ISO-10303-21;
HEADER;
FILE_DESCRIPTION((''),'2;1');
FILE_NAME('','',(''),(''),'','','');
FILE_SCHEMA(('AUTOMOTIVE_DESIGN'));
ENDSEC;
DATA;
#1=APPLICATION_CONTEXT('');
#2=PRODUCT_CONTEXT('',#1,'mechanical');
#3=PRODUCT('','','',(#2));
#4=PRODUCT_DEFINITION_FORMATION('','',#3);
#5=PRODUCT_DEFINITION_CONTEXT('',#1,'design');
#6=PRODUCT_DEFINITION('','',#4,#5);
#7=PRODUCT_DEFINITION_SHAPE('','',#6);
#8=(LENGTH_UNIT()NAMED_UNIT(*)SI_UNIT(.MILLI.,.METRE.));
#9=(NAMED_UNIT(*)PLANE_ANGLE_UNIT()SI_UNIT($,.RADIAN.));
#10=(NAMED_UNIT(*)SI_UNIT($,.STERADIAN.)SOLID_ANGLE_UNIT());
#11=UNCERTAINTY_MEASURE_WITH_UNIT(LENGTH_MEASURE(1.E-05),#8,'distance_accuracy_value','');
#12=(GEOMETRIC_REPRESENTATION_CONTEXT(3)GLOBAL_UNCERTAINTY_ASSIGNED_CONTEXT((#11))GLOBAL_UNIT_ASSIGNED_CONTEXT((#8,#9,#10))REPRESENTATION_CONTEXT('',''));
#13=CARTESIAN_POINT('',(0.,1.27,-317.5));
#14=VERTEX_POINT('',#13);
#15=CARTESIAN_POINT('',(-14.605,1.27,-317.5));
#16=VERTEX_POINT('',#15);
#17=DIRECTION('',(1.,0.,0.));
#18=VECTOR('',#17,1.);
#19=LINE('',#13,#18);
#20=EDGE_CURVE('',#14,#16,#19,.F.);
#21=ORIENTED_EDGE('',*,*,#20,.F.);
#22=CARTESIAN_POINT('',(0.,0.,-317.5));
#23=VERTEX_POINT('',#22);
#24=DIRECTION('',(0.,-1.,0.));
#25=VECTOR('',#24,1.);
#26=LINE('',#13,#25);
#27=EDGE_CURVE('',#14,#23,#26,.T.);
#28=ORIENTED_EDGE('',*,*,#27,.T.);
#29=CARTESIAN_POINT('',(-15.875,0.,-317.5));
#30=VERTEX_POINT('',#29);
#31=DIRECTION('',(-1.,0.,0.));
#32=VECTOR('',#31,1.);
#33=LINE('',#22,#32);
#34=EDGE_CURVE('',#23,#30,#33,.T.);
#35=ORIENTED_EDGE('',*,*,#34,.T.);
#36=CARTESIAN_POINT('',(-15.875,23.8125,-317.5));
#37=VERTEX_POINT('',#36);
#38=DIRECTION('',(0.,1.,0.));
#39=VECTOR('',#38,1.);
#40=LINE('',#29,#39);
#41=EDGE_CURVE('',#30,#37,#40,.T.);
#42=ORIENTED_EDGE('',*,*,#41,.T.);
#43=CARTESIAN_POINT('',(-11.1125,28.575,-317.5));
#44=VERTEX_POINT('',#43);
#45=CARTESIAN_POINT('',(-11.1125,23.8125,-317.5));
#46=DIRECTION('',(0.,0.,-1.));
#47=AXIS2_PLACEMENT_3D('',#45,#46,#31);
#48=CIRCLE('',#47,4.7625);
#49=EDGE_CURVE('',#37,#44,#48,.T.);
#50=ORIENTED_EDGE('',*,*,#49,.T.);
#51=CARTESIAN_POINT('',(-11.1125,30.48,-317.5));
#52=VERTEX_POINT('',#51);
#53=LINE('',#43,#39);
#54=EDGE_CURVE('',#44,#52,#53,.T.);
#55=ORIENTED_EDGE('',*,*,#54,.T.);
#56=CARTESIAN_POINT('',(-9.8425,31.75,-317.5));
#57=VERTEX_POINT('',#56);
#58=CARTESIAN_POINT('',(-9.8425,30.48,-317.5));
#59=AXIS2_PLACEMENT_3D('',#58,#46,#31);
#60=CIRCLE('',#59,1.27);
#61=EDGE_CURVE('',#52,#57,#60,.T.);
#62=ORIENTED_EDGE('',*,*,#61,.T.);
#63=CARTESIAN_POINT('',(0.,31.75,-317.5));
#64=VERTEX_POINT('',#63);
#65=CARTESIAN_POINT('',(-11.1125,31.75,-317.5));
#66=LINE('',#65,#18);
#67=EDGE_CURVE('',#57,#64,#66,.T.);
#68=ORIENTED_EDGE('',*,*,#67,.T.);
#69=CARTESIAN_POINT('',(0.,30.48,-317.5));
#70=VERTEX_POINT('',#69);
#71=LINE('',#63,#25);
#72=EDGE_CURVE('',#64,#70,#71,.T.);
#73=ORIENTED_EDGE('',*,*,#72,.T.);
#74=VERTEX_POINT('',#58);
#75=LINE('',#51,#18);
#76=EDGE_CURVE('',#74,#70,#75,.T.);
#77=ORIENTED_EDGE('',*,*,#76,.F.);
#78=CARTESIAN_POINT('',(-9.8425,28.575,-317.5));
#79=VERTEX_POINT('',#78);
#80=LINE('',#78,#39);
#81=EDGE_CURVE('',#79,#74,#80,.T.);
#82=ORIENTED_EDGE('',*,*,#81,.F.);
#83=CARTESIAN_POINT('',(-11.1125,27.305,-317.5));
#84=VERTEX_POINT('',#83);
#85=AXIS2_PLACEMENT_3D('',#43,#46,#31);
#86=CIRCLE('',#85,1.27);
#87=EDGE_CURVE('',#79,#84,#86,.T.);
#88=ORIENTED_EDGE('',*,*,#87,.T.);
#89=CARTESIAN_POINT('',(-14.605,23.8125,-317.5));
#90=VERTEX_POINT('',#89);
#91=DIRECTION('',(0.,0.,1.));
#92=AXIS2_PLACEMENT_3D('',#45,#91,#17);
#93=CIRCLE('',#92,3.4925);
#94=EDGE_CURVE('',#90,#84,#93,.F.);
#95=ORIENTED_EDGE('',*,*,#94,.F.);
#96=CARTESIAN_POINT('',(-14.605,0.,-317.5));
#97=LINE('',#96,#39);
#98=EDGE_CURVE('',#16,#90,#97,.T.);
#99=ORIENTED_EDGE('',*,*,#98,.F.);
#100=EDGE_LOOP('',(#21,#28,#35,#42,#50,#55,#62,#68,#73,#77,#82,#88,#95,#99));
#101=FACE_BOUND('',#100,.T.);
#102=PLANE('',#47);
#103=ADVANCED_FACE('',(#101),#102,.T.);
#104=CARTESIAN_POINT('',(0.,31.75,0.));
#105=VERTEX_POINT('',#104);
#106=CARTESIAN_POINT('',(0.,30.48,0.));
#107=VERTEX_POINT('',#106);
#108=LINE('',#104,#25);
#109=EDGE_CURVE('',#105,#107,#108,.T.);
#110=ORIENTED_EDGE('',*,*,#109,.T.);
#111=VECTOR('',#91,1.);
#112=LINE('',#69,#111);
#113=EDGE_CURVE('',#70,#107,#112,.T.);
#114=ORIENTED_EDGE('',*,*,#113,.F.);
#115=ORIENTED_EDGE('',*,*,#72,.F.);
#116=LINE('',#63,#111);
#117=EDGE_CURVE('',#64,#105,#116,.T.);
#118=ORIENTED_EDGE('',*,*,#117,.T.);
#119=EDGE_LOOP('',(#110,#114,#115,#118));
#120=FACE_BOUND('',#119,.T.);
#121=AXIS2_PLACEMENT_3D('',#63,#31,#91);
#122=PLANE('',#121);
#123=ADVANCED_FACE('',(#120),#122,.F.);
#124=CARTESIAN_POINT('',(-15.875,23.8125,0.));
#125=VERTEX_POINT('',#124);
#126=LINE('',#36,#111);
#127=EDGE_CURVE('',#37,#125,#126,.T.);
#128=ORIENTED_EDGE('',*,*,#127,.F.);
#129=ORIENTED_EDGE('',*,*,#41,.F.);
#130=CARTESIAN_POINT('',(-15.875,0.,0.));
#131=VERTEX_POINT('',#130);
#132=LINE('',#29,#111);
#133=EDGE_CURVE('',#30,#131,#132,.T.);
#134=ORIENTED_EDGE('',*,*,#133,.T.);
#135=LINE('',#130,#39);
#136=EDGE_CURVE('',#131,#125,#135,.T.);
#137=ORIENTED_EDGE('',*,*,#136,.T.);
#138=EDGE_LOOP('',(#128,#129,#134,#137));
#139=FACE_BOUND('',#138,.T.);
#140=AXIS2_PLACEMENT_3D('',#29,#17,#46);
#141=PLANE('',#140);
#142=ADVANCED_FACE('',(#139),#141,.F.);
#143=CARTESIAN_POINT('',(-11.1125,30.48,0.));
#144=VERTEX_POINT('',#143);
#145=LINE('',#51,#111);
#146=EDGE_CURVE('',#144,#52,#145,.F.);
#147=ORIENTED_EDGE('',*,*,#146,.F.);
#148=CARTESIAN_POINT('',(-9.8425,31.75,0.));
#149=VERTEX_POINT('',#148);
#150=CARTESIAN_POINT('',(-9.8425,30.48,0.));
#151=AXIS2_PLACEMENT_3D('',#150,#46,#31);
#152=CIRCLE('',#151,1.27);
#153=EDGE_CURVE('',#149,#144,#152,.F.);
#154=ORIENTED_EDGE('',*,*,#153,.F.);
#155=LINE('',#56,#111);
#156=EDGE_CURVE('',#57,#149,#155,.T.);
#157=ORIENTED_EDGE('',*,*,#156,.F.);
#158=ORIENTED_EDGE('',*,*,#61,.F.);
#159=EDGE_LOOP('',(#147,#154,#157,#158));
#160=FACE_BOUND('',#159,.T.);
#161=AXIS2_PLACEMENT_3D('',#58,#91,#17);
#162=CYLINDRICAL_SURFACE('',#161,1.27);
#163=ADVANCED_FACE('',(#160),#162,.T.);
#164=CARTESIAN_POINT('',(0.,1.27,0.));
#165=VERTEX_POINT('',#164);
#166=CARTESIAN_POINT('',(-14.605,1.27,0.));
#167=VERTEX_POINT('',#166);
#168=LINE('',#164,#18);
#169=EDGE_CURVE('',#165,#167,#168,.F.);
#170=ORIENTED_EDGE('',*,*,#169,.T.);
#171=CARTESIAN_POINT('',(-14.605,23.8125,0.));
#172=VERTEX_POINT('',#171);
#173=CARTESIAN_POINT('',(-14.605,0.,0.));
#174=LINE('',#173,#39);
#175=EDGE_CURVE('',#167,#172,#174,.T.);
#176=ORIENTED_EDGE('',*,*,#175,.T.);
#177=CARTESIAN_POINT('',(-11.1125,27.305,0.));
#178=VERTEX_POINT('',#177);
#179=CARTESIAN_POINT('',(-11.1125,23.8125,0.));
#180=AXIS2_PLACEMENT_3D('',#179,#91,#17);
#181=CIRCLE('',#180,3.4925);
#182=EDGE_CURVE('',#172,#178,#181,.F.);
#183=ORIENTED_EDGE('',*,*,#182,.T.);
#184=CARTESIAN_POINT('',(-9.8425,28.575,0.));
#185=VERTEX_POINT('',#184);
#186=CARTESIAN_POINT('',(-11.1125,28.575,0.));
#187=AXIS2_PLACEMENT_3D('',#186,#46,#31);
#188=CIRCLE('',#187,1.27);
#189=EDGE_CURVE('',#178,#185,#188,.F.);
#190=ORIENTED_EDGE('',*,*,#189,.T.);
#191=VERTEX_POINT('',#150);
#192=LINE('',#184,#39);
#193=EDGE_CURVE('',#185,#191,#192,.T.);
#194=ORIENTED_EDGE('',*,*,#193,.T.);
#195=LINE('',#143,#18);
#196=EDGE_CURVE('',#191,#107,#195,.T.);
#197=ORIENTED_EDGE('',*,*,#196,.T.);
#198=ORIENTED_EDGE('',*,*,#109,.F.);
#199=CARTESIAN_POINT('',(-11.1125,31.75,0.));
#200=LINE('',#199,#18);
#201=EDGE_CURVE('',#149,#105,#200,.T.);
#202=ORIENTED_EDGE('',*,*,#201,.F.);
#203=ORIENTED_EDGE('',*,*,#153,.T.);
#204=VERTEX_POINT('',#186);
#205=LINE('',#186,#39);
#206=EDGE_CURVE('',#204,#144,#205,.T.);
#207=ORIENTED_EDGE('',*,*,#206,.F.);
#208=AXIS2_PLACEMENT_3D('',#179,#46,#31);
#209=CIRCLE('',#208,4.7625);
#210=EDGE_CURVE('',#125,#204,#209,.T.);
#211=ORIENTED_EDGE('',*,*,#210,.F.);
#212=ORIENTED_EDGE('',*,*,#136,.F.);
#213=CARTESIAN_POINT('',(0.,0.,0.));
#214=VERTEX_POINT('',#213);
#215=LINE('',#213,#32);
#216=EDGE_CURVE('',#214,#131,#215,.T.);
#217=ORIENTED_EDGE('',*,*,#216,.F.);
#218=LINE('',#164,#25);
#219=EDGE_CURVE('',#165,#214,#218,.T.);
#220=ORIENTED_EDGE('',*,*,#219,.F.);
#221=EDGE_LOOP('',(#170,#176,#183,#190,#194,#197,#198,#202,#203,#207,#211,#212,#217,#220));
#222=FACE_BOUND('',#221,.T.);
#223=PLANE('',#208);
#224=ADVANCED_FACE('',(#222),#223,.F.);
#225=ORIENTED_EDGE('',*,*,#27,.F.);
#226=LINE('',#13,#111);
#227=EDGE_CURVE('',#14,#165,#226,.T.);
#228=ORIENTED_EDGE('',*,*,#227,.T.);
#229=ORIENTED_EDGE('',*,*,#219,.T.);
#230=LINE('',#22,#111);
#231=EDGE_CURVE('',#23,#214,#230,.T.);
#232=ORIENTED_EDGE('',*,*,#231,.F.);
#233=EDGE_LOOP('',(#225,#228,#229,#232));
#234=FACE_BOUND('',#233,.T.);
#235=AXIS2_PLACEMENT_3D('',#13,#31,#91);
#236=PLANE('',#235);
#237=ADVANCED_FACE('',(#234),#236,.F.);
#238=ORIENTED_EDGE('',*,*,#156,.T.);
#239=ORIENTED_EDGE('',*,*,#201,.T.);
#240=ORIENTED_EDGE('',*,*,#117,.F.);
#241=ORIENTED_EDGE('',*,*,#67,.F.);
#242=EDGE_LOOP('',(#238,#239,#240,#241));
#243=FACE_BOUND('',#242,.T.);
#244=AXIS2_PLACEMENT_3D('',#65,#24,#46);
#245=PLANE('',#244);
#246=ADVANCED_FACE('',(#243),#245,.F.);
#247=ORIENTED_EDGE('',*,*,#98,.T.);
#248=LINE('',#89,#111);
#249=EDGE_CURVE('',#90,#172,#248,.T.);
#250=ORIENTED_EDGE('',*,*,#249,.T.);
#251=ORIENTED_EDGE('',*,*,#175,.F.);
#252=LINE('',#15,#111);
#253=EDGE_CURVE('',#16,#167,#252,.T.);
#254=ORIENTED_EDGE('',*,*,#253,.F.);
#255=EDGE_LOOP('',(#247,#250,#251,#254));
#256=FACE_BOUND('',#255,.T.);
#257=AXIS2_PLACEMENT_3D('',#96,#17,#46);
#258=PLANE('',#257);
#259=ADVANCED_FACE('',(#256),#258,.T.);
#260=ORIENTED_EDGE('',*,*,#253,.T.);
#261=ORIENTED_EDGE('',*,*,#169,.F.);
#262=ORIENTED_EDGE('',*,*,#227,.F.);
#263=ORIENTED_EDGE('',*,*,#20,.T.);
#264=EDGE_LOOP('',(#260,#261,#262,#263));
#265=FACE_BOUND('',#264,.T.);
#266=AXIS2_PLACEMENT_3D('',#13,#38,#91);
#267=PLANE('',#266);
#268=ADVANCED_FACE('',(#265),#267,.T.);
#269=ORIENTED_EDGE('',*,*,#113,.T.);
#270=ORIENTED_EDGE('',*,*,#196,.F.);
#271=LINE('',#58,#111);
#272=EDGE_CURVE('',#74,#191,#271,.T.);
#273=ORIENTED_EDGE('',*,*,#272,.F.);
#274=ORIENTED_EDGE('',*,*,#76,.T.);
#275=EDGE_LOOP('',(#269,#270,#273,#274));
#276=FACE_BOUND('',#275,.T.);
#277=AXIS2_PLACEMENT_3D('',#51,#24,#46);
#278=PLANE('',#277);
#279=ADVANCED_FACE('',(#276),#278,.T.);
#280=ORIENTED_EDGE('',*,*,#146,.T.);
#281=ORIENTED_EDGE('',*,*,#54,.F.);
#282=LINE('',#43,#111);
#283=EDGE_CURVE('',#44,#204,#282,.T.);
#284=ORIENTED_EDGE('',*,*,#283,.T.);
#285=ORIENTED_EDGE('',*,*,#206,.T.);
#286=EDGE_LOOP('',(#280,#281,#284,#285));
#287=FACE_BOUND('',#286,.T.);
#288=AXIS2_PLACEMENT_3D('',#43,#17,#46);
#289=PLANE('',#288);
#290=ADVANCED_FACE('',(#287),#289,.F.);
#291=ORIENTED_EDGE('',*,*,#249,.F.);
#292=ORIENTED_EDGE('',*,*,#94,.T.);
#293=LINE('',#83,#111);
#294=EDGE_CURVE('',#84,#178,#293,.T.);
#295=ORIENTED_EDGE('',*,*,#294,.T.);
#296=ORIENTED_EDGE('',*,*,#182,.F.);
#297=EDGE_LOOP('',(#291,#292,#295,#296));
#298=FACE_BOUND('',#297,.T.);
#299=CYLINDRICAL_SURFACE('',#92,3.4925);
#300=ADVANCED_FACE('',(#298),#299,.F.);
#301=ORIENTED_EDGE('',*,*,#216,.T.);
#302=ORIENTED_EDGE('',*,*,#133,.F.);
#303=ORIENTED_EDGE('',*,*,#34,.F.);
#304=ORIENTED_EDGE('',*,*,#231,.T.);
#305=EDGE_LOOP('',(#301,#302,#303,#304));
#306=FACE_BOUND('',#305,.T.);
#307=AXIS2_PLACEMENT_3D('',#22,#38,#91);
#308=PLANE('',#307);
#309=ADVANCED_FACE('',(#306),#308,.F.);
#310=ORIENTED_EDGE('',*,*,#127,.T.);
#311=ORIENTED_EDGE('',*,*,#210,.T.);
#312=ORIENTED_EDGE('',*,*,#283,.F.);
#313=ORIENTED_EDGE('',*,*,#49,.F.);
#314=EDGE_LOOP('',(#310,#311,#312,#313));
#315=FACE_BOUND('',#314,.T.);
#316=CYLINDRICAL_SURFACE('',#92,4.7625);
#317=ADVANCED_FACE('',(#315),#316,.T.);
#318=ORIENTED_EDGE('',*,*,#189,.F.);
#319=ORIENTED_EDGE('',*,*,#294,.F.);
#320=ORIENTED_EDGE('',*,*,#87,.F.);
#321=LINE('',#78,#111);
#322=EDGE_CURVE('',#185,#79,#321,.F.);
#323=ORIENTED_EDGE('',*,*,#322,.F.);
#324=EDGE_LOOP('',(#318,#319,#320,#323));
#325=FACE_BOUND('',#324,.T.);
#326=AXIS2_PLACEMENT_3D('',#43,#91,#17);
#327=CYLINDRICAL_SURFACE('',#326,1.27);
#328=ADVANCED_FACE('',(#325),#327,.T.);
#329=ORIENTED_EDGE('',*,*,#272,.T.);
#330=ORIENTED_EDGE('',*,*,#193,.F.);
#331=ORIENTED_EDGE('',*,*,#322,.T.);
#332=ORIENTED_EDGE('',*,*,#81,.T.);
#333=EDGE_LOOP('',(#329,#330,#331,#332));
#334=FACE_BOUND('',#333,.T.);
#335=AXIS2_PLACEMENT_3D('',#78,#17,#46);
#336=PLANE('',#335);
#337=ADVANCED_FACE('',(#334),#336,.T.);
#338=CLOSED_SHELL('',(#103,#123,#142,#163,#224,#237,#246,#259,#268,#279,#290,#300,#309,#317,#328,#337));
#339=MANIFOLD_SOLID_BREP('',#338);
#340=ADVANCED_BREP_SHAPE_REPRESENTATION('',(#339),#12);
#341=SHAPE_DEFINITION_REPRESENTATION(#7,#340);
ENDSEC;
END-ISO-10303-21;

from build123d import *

# Parameters (mm, degrees)
EXTRUDE_THIN1_DEPTH = 317.5
FILLET1_R           = 1.27


with BuildPart() as part:
    # Sketch1 → Extrude-Thin1 (new body)
    with BuildSketch(Plane.XY):
        with BuildLine():
            Line((0, 0), (-15.875, 0))
            Line((-15.875, 0), (-15.875, 23.8125))
            ThreePointArc((-15.875, 23.8125), (-14.480096045, 27.180096045), (-11.1125, 28.575))
            Line((-11.1125, 28.575), (-11.1125, 31.75))
            Line((-11.1125, 31.75), (0, 31.75))
            Line((0, 31.75), (0, 30.48))
            Line((0, 30.48), (-9.8425, 30.48))
            Line((-9.8425, 30.48), (-9.8425, 27.065906868))
            ThreePointArc((-9.8425, 27.065906868), (-13.082535691, 26.696336962), (-14.605, 23.8125))
            Line((-14.605, 23.8125), (-14.605, 1.27))
            Line((-14.605, 1.27), (0, 1.27))
            Line((0, 1.27), (0, 0))
        make_face()
    extrude(amount=-EXTRUDE_THIN1_DEPTH)

    # Fillet1
    fillet1_edges = [part.edges().sort_by_distance(p)[0] for p in [
        (-9.8425, 27.065906868, -158.75),
        (-11.1125, 31.75, -158.75),
    ]]
    fillet(fillet1_edges, radius=FILLET1_R)


solid = part.part
